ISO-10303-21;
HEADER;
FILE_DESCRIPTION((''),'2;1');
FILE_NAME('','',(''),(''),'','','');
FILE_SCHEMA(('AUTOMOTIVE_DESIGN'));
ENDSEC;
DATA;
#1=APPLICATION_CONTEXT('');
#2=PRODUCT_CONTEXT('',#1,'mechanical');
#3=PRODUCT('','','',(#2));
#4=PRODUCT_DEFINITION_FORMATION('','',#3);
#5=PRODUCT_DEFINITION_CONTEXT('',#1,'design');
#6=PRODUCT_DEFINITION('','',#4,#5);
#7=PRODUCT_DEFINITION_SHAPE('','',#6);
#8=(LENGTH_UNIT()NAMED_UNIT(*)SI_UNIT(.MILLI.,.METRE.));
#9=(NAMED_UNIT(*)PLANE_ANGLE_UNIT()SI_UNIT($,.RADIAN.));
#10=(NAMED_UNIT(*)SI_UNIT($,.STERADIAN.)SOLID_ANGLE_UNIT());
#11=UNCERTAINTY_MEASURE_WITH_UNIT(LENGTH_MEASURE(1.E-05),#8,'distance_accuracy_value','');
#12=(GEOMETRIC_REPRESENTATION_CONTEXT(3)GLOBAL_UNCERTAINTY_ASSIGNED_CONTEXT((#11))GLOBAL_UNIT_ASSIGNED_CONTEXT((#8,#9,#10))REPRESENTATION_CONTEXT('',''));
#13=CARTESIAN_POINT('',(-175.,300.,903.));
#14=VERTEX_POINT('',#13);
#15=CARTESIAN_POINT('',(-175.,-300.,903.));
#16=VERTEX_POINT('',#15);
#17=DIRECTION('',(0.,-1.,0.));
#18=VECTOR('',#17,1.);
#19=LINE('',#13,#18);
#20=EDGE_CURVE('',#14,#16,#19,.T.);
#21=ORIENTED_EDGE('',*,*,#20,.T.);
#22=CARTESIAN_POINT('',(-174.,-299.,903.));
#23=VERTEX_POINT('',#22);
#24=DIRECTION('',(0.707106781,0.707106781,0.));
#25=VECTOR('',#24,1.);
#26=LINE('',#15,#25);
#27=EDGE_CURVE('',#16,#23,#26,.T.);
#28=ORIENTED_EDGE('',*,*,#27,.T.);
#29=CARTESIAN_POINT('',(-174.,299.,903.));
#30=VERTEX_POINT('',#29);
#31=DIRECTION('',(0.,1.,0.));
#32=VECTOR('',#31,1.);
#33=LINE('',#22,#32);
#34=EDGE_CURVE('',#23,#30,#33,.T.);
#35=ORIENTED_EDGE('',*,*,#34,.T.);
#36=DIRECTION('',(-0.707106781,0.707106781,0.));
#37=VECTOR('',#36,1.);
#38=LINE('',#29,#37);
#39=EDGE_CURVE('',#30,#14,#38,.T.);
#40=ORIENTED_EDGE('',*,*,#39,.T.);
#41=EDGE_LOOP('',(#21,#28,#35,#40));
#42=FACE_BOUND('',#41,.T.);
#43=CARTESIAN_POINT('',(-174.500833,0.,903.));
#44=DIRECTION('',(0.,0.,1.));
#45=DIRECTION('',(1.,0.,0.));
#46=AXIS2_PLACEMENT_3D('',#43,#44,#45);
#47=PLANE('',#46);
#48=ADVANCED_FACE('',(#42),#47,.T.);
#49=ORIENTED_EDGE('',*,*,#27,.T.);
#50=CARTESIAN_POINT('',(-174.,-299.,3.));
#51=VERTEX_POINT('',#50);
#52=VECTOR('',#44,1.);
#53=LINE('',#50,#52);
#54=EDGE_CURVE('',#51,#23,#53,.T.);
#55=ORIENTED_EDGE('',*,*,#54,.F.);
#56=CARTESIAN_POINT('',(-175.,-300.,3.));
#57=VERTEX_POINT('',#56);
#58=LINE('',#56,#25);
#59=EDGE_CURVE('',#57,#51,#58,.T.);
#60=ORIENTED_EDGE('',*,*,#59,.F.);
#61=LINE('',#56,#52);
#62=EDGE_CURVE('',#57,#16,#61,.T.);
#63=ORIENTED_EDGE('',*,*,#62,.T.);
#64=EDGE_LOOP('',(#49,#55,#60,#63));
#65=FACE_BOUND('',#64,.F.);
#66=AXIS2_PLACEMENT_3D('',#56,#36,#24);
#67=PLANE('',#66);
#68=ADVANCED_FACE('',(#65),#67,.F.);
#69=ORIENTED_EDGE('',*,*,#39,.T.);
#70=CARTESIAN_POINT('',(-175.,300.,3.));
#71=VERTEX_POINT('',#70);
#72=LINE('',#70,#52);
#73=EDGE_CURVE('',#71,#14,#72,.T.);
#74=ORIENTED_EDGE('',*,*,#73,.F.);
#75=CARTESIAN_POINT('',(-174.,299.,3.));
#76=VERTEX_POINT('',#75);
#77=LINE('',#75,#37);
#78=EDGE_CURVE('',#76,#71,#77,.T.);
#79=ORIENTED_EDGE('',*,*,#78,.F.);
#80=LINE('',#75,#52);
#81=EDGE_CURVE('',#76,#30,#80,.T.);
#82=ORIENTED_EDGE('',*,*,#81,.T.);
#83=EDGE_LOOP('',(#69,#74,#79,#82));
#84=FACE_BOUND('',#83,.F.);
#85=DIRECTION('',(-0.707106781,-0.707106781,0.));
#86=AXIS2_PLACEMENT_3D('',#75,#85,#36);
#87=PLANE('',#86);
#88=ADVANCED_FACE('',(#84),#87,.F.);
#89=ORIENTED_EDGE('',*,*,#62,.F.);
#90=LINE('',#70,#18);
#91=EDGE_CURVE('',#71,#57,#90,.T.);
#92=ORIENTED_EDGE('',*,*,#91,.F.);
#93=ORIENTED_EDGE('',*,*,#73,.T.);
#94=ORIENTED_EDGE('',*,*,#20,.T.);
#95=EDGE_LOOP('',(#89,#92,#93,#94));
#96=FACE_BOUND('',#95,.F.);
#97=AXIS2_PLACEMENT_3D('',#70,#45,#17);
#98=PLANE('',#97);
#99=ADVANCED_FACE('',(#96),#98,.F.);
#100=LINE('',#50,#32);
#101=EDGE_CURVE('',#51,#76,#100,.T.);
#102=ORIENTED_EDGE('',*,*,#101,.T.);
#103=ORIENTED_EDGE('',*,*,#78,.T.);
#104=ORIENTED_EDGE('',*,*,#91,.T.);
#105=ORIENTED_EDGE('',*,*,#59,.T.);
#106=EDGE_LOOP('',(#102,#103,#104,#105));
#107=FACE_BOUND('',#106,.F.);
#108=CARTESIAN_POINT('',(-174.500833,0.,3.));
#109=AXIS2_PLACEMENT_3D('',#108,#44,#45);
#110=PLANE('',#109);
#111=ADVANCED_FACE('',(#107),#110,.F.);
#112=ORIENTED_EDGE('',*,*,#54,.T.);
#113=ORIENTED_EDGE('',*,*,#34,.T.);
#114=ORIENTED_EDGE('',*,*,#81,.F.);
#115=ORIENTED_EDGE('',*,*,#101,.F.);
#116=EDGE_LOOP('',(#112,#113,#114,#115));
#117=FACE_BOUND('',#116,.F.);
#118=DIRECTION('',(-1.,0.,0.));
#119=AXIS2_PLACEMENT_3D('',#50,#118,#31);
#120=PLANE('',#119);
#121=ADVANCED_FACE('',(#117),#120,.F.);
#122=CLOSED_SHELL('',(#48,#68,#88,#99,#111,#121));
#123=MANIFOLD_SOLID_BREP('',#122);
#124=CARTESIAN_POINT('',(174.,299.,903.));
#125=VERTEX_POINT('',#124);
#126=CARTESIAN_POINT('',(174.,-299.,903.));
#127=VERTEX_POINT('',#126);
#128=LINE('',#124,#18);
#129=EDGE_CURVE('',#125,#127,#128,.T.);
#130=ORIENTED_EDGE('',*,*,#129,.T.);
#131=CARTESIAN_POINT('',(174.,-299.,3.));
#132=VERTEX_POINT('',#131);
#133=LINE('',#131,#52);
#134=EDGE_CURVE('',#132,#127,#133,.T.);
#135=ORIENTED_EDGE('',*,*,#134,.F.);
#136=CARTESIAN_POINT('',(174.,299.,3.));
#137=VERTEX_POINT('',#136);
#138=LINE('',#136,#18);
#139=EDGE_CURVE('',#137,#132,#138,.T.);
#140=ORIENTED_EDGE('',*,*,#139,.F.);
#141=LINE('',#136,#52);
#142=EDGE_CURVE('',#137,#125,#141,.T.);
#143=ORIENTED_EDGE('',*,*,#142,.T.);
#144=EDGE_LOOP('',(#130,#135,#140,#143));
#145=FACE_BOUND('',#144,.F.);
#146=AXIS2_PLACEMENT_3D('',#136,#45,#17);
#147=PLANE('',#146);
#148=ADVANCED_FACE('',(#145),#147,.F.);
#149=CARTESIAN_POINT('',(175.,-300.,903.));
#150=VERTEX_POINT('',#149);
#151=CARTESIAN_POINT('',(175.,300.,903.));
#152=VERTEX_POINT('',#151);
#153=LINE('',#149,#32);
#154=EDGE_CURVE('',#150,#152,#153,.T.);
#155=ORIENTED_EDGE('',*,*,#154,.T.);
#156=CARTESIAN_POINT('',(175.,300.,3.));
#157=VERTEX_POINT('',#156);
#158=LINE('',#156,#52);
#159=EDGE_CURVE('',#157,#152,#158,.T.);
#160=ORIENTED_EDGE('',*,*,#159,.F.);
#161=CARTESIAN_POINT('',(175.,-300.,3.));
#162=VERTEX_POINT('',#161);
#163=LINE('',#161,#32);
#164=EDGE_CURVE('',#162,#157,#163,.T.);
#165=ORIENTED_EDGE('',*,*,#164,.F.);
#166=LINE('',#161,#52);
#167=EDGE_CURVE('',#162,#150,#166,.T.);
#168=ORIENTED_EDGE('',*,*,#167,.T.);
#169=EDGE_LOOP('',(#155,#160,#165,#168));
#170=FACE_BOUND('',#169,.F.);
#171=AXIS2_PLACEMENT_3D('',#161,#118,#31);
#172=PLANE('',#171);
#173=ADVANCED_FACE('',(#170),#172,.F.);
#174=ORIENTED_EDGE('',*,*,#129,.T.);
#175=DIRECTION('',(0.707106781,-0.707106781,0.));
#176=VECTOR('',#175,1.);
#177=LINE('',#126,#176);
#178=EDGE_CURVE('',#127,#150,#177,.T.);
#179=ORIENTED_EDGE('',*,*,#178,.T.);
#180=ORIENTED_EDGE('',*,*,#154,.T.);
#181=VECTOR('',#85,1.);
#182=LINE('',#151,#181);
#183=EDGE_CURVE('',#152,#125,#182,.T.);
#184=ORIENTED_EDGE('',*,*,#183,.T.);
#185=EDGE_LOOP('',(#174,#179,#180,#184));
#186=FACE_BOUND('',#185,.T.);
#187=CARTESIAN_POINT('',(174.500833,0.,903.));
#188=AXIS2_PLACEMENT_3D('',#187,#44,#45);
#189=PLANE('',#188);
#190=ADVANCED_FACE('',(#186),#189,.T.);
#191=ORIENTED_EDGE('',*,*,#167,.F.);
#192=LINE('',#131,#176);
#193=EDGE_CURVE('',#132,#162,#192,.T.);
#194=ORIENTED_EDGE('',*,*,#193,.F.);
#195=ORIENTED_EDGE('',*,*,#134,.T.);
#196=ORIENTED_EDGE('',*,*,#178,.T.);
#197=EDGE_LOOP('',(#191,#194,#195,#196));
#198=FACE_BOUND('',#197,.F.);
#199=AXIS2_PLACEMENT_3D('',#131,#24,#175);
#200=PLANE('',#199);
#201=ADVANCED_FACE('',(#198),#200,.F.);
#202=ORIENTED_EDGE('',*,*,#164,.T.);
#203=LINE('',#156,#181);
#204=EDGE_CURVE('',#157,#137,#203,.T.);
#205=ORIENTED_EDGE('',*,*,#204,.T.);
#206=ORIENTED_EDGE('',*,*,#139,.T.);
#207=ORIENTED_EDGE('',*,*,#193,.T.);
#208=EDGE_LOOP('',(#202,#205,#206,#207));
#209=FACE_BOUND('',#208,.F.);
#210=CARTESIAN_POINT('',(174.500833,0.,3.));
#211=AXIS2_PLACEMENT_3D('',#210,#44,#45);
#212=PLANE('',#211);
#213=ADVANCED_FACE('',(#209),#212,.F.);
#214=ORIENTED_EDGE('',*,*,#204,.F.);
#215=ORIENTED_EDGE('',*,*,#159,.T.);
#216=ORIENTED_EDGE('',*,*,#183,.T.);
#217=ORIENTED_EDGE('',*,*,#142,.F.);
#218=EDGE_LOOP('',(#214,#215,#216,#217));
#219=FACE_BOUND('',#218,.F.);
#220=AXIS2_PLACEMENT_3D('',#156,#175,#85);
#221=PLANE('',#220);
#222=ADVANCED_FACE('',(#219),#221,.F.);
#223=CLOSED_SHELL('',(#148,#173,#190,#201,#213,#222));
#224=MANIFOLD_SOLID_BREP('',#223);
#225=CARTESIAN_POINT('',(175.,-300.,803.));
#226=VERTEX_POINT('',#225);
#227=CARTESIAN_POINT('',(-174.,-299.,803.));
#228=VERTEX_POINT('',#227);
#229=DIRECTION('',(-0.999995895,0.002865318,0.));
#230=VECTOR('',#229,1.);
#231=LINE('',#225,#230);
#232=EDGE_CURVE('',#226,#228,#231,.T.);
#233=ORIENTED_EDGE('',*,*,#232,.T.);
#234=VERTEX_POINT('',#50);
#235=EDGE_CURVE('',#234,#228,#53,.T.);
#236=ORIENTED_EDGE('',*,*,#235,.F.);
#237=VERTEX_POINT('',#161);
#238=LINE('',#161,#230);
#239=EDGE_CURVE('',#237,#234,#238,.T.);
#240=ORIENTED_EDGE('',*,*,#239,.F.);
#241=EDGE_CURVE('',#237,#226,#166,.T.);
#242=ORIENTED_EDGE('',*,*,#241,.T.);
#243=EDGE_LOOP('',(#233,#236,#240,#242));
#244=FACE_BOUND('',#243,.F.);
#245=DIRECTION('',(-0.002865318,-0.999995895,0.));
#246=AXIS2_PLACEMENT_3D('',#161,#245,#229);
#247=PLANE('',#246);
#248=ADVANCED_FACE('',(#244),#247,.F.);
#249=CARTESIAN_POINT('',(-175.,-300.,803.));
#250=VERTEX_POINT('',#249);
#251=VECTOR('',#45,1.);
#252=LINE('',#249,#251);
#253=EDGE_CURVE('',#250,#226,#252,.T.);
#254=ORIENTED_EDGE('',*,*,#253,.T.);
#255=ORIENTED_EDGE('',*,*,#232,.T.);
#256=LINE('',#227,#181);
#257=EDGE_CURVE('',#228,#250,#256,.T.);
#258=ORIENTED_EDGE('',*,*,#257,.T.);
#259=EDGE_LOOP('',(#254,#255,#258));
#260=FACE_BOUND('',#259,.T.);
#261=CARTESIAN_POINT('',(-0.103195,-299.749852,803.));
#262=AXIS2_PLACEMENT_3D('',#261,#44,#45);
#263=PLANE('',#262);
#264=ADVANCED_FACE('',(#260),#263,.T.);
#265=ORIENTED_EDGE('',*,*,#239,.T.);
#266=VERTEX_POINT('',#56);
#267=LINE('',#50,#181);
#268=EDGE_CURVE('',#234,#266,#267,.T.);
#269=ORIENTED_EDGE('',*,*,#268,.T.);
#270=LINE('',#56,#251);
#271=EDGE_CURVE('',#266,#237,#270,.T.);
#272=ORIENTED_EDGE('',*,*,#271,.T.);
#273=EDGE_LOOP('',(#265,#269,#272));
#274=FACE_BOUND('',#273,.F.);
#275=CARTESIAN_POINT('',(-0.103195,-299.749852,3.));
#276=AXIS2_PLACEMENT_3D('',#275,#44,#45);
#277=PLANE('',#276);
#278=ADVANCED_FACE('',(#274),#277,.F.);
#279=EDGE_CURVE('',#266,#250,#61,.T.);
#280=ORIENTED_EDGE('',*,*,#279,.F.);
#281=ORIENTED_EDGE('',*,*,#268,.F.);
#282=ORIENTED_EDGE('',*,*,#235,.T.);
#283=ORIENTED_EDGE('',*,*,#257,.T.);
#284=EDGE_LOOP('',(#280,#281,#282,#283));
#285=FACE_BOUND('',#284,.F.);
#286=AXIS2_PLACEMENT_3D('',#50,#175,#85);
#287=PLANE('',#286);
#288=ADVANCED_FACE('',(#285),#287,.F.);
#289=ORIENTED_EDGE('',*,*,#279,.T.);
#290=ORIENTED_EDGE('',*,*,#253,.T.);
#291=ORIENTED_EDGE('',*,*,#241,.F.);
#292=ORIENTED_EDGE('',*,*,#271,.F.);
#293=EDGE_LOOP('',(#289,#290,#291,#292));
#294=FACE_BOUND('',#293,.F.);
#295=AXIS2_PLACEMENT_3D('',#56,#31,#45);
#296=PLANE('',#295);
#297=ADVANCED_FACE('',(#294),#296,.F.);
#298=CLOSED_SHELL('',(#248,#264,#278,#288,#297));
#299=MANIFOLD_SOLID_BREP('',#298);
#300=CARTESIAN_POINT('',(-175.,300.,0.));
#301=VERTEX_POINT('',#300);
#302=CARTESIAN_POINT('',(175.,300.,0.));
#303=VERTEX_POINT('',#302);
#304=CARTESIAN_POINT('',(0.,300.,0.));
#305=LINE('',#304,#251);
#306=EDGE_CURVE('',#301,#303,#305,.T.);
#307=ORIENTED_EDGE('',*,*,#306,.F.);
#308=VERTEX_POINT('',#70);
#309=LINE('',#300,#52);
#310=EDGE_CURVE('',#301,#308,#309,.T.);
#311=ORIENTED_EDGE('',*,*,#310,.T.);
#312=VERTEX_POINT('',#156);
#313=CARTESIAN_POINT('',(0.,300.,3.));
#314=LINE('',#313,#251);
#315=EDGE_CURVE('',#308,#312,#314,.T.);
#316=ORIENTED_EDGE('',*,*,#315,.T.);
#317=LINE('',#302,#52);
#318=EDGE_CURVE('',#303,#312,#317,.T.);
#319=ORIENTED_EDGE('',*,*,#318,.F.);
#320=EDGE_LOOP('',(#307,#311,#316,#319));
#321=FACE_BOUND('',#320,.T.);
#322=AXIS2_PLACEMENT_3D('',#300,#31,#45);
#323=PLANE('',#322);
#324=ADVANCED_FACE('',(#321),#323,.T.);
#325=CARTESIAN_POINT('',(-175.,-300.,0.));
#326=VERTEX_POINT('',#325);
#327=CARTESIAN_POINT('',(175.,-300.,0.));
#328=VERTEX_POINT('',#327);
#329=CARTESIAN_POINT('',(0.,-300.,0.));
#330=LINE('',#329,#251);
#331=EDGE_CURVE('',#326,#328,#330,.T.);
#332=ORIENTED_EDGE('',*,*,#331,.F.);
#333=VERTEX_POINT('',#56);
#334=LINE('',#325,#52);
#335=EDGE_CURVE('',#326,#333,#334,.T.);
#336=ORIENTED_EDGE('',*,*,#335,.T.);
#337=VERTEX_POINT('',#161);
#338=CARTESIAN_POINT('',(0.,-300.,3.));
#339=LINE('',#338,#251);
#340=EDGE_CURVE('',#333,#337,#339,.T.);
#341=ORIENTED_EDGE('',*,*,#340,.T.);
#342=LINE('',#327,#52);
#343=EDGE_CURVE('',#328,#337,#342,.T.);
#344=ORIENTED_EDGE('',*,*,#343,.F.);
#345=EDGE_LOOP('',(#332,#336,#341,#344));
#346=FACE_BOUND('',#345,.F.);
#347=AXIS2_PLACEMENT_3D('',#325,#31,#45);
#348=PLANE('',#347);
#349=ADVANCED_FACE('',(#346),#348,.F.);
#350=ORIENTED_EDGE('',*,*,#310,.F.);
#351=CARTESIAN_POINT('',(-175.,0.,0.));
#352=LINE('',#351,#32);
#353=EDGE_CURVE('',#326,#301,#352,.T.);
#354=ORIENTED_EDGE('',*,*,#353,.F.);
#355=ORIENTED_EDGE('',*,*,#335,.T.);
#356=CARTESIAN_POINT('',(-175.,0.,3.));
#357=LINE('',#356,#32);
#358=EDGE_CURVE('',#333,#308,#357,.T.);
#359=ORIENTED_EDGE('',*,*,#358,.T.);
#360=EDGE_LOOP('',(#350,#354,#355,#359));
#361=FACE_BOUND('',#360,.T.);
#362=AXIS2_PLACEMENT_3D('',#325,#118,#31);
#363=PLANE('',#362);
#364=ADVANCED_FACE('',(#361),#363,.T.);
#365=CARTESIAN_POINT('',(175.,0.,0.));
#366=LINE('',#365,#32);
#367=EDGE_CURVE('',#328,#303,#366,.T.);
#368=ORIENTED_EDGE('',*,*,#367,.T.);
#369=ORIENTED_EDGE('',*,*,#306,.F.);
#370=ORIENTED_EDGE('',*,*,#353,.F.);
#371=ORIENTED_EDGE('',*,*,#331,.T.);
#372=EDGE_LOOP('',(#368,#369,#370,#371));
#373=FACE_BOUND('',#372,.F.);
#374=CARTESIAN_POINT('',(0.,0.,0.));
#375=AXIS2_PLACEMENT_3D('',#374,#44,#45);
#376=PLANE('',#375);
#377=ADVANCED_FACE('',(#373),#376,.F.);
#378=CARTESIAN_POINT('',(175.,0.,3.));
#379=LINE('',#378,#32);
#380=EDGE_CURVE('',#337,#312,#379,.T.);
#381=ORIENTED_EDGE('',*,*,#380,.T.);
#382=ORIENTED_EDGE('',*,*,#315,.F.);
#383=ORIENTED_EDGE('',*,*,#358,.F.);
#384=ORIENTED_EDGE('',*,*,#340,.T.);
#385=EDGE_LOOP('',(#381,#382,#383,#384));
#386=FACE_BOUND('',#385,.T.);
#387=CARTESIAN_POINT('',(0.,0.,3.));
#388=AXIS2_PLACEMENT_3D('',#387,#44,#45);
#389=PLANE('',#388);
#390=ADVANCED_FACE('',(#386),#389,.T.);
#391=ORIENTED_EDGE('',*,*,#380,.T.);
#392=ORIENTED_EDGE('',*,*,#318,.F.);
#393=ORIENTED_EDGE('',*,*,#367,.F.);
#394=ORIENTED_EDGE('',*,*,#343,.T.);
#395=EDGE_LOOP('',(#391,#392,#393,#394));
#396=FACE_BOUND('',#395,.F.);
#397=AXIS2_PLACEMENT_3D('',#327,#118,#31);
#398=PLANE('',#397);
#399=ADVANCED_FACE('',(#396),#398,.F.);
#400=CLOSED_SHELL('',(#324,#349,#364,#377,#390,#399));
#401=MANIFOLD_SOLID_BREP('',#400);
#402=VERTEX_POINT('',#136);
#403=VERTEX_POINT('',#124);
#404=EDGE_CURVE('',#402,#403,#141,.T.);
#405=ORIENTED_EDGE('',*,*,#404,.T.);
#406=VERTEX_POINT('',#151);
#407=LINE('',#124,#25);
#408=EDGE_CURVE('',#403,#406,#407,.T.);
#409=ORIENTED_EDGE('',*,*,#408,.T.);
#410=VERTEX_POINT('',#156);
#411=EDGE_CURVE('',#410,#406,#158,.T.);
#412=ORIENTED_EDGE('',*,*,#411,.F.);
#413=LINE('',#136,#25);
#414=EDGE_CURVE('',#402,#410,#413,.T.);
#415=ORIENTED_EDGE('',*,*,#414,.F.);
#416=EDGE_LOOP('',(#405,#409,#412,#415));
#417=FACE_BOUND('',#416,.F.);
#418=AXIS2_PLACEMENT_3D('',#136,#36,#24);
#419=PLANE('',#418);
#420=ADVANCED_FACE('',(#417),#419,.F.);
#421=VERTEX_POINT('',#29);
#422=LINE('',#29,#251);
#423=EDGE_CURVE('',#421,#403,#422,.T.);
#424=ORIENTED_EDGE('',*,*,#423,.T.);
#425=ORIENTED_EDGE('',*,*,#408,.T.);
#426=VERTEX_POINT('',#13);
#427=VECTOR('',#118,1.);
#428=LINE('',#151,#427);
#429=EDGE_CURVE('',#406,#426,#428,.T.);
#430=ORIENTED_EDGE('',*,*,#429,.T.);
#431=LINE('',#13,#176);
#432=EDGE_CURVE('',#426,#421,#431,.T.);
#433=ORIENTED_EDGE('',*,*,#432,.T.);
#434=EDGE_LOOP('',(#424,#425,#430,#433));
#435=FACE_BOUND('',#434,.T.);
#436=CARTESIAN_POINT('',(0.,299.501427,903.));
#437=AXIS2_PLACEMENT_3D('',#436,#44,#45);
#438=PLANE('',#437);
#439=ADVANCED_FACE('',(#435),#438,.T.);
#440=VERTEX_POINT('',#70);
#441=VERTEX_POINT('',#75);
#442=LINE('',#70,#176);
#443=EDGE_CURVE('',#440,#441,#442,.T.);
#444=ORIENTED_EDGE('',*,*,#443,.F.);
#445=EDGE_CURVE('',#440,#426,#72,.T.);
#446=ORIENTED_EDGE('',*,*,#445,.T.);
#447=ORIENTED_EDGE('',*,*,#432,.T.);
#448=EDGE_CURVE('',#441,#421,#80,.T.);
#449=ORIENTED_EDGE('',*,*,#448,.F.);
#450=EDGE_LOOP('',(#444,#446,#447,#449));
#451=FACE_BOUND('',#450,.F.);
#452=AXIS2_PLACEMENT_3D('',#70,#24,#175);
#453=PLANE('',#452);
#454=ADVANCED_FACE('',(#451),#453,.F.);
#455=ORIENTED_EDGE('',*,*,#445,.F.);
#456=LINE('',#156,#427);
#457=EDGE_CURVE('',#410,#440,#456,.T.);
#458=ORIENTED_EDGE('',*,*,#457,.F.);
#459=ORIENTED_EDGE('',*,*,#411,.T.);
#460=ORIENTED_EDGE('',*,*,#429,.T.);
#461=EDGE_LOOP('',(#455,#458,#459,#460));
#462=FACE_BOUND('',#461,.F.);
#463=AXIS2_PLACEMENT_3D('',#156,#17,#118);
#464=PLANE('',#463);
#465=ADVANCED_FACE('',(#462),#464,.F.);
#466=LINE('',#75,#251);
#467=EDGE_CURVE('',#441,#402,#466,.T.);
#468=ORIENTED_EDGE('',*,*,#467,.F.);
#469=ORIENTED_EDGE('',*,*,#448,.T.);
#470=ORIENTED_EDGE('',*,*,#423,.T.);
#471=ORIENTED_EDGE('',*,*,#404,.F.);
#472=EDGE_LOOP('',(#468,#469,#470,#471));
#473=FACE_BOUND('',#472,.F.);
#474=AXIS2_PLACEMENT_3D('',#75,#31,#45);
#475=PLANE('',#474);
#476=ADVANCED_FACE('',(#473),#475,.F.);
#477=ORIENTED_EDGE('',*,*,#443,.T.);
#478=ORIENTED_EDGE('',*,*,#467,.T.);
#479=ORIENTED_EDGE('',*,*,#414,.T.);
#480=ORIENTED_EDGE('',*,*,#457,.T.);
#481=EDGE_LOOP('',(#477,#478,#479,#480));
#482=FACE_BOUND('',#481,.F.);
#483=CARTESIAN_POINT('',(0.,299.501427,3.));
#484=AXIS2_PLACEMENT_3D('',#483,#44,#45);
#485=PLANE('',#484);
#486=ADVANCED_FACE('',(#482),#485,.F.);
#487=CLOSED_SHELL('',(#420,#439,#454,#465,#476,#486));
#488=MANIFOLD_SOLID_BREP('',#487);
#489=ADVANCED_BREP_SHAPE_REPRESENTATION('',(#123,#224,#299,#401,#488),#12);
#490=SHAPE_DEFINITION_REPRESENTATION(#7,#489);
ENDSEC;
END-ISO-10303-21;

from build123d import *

# Parameters (mm, degrees)
F0_W     = 350
F0_H     = 600
F1_DEPTH = 3
F3_DEPTH = 800
F4_DEPTH = 900
F5_DEPTH = 900
F6_DEPTH = 900


with BuildPart() as f1:
    # F0 (on Top) → F1 (new body)
    with BuildSketch(Plane.XY):
        Rectangle(F0_W, F0_H)
    extrude(amount=F1_DEPTH)


with BuildPart() as f3:
    # F2 (on face) → F3 (new body)
    with BuildSketch(Plane.XY.offset(3)):
        Polygon((175, -300), (-174, -299), (-175, -300), align=None)
    extrude(amount=F3_DEPTH)


with BuildPart() as f4:
    # F2 (on face) → F4 (new body)
    with BuildSketch(Plane.XY.offset(3)):
        Polygon((-174, -299), (-174, 299), (-175, 300), (-175, -300), align=None)
    extrude(amount=F4_DEPTH)


with BuildPart() as f5:
    # F2 (on face) → F5 (new body)
    with BuildSketch(Plane.XY.offset(3)):
        Polygon((175, 300), (174, 299), (174, -299), (175, -300), align=None)
    extrude(amount=F5_DEPTH)


with BuildPart() as f6:
    # F2 (on face) → F6 (new body)
    with BuildSketch(Plane.XY.offset(3)):
        Polygon((-175, 300), (-174, 299), (174, 299), (175, 300), align=None)
    extrude(amount=F6_DEPTH)


solid = Compound([f1.part, f3.part, f4.part, f5.part, f6.part])
